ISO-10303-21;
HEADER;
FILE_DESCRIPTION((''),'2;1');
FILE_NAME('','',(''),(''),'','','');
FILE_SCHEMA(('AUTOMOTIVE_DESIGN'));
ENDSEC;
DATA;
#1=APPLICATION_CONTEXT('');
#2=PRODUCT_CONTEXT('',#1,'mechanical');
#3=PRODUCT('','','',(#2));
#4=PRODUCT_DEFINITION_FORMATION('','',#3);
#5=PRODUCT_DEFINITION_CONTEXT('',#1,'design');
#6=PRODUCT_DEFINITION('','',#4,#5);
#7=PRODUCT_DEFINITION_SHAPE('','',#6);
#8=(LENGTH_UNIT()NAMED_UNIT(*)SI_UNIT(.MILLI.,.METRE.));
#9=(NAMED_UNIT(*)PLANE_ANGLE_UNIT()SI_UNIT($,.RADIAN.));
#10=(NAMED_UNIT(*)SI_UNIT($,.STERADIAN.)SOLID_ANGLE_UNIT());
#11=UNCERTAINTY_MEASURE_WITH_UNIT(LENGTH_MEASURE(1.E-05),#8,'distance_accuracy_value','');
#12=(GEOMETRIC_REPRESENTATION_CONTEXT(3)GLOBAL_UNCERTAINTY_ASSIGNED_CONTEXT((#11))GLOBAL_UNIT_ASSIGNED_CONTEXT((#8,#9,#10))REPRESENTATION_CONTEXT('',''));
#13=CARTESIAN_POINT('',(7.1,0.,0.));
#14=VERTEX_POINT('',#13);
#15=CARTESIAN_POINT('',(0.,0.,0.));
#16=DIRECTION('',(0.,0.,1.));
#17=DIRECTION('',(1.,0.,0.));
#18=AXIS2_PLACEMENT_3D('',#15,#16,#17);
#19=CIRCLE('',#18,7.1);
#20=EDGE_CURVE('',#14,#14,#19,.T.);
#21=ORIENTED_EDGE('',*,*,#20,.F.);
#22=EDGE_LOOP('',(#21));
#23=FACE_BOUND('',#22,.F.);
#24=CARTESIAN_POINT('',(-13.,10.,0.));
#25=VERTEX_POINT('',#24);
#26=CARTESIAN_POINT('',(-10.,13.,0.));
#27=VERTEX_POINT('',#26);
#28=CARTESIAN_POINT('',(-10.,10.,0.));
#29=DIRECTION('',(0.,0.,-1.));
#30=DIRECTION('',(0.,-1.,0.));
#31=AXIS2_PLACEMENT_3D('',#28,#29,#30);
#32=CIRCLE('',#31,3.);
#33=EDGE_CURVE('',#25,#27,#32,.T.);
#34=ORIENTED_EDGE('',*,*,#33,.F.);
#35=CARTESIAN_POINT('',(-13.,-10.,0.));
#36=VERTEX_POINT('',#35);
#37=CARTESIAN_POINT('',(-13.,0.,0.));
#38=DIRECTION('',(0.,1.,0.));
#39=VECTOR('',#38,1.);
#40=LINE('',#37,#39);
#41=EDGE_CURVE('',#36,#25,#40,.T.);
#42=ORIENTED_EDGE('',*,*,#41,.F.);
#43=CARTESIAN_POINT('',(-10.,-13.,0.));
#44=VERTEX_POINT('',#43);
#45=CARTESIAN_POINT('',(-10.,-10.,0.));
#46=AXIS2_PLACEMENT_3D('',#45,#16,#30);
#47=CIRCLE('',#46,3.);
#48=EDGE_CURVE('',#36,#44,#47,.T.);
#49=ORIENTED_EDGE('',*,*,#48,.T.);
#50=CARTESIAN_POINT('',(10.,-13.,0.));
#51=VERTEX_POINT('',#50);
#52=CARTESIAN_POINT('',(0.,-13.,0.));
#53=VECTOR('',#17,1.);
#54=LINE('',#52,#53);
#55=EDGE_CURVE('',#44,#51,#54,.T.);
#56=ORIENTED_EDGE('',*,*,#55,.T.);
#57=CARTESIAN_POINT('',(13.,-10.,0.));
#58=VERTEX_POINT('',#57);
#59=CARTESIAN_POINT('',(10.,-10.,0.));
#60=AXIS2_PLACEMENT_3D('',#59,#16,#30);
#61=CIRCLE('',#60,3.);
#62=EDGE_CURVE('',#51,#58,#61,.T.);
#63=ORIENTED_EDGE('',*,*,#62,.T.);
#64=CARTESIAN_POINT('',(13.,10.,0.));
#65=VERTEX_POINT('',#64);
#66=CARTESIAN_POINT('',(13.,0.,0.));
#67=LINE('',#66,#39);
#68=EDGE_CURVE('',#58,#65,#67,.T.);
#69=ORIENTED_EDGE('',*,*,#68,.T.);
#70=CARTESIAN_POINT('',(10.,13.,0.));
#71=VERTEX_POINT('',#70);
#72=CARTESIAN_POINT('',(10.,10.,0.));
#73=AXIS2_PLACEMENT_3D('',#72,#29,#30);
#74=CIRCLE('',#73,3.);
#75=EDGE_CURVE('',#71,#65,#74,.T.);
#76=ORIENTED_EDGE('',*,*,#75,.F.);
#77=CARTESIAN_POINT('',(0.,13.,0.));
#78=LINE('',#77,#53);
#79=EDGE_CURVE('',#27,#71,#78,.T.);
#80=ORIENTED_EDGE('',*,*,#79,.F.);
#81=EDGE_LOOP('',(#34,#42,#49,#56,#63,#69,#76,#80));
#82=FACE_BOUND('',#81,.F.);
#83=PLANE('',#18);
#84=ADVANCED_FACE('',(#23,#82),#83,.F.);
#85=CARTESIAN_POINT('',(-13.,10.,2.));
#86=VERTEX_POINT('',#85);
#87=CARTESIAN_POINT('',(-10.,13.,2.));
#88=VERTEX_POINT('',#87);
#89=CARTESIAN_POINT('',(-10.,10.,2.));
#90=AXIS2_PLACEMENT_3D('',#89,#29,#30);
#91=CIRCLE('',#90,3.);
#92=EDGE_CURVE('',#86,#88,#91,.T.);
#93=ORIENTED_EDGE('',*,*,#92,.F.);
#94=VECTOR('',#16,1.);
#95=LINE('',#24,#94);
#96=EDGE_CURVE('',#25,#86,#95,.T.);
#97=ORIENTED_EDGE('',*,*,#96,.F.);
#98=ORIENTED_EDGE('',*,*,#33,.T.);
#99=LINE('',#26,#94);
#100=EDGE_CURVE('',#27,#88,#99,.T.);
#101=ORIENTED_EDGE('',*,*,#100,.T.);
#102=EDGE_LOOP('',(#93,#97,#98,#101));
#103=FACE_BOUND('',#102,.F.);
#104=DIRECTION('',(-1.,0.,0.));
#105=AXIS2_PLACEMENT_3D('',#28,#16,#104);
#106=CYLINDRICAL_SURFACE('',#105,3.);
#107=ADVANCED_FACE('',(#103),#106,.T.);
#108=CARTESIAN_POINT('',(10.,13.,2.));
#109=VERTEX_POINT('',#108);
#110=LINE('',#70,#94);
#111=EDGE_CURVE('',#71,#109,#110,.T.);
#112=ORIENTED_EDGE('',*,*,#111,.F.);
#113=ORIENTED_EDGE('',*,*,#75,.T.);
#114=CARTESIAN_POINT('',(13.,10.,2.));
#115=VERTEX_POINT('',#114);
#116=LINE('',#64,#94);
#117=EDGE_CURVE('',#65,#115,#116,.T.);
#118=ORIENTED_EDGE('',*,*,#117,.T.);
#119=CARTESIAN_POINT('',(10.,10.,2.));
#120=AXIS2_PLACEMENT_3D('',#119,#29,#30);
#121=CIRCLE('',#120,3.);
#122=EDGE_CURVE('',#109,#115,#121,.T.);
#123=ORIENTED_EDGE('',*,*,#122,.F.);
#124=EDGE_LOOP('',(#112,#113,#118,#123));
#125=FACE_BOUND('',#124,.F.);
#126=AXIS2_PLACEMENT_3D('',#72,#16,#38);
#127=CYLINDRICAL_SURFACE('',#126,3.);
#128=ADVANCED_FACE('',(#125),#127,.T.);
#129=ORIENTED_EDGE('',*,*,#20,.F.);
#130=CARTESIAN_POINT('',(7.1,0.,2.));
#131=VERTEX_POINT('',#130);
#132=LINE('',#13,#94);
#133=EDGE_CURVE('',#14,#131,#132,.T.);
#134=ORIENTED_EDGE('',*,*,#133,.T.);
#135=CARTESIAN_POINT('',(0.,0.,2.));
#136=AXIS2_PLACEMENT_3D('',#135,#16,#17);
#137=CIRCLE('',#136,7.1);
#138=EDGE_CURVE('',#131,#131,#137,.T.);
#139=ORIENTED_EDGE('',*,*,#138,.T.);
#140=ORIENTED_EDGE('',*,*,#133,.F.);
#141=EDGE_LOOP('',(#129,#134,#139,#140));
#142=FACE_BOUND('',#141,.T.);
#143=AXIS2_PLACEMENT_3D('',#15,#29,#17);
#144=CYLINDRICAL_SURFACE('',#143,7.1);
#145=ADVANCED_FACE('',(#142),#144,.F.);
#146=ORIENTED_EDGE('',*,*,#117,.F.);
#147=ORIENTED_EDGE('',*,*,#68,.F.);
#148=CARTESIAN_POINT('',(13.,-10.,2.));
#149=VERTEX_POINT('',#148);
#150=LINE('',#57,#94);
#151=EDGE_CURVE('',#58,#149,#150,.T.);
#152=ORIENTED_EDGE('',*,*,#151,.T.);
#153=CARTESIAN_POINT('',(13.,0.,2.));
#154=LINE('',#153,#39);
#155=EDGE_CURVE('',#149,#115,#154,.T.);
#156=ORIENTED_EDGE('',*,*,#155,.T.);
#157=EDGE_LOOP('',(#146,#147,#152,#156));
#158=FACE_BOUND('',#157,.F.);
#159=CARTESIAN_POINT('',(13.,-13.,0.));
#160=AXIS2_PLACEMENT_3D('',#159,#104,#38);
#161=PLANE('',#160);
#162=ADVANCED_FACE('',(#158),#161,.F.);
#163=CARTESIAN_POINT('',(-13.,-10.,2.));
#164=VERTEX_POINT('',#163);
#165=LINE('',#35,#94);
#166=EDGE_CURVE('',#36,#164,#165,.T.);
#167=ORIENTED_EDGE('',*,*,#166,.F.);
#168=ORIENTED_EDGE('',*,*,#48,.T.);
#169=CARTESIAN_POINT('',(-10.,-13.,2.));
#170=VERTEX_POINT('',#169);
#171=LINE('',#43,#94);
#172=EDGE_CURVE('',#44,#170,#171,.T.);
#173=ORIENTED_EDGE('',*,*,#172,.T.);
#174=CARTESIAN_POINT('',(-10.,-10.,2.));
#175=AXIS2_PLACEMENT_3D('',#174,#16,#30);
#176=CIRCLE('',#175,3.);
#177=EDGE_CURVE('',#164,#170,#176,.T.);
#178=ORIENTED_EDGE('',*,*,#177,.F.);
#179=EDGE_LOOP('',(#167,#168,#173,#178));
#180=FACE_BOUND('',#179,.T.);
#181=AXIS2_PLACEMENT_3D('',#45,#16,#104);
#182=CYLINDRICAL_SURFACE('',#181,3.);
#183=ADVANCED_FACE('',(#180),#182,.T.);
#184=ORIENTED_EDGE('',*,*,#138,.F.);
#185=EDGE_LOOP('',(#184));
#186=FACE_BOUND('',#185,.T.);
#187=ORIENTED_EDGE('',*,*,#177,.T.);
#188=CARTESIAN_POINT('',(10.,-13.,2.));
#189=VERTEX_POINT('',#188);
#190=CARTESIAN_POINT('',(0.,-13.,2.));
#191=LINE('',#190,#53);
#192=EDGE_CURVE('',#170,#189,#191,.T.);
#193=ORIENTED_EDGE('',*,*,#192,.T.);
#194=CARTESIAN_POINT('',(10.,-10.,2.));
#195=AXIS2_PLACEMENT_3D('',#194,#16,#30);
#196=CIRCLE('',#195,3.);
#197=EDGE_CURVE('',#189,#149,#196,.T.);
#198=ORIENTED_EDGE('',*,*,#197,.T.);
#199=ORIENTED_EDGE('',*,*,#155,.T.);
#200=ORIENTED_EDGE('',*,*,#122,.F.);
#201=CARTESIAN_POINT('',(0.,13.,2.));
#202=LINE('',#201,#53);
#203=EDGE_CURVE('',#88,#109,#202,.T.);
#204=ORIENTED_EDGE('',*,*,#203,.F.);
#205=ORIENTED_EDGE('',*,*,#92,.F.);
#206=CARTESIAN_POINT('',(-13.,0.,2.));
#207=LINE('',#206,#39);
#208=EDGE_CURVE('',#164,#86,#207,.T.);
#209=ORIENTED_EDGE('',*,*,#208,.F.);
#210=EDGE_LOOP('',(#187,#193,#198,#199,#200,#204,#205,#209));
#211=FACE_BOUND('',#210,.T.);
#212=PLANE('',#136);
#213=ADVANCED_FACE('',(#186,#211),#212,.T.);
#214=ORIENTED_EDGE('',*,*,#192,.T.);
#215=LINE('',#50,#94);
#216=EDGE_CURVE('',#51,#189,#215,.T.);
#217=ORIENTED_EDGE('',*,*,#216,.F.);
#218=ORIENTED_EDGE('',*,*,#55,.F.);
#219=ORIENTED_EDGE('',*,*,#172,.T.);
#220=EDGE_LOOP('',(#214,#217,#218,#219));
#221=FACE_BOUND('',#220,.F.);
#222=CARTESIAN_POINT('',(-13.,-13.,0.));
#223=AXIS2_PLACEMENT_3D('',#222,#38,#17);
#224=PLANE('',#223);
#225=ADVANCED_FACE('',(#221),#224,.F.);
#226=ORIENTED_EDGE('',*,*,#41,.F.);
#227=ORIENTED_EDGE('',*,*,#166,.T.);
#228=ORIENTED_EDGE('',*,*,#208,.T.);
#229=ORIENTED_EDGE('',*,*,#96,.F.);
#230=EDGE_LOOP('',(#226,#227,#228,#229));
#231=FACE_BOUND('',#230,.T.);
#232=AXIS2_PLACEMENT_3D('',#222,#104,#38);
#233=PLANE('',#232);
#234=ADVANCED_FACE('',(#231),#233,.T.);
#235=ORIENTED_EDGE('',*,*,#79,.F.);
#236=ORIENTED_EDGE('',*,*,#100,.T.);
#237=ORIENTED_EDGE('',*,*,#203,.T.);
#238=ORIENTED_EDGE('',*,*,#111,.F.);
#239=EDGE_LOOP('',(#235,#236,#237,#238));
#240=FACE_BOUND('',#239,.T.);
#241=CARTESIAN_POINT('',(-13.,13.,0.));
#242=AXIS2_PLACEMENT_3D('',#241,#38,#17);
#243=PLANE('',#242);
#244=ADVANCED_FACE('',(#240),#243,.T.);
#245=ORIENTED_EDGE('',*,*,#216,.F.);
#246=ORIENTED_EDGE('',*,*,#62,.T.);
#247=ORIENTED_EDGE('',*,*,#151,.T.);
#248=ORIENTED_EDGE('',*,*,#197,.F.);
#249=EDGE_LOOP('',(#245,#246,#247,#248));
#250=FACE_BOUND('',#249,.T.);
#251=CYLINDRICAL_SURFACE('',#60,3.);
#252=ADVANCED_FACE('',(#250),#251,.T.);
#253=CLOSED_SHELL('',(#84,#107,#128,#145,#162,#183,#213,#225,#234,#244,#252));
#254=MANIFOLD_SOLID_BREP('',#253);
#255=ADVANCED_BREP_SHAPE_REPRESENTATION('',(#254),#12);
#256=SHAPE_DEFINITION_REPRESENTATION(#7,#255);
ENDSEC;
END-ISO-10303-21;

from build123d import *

# Parameters (mm, degrees)
SKETCH_W      = 26
SKETCH_H      = 26
SKETCH_R      = 7.1
EXTRUDE_DEPTH = 2
FILLET_R      = 3


with BuildPart() as part:
    # Sketch → Extrude (new body)
    with BuildSketch(Plane.XY):
        Rectangle(SKETCH_W, SKETCH_H)
        Circle(SKETCH_R, mode=Mode.SUBTRACT)
    extrude(amount=EXTRUDE_DEPTH)

    # Fillet
    fillet_edges = [part.edges().sort_by_distance(p)[0] for p in [
        (-13, -13, 1),
        (13, -13, 1),
        (13, 13, 1),
        (-13, 13, 1),
    ]]
    fillet(fillet_edges, radius=FILLET_R)


solid = part.part
